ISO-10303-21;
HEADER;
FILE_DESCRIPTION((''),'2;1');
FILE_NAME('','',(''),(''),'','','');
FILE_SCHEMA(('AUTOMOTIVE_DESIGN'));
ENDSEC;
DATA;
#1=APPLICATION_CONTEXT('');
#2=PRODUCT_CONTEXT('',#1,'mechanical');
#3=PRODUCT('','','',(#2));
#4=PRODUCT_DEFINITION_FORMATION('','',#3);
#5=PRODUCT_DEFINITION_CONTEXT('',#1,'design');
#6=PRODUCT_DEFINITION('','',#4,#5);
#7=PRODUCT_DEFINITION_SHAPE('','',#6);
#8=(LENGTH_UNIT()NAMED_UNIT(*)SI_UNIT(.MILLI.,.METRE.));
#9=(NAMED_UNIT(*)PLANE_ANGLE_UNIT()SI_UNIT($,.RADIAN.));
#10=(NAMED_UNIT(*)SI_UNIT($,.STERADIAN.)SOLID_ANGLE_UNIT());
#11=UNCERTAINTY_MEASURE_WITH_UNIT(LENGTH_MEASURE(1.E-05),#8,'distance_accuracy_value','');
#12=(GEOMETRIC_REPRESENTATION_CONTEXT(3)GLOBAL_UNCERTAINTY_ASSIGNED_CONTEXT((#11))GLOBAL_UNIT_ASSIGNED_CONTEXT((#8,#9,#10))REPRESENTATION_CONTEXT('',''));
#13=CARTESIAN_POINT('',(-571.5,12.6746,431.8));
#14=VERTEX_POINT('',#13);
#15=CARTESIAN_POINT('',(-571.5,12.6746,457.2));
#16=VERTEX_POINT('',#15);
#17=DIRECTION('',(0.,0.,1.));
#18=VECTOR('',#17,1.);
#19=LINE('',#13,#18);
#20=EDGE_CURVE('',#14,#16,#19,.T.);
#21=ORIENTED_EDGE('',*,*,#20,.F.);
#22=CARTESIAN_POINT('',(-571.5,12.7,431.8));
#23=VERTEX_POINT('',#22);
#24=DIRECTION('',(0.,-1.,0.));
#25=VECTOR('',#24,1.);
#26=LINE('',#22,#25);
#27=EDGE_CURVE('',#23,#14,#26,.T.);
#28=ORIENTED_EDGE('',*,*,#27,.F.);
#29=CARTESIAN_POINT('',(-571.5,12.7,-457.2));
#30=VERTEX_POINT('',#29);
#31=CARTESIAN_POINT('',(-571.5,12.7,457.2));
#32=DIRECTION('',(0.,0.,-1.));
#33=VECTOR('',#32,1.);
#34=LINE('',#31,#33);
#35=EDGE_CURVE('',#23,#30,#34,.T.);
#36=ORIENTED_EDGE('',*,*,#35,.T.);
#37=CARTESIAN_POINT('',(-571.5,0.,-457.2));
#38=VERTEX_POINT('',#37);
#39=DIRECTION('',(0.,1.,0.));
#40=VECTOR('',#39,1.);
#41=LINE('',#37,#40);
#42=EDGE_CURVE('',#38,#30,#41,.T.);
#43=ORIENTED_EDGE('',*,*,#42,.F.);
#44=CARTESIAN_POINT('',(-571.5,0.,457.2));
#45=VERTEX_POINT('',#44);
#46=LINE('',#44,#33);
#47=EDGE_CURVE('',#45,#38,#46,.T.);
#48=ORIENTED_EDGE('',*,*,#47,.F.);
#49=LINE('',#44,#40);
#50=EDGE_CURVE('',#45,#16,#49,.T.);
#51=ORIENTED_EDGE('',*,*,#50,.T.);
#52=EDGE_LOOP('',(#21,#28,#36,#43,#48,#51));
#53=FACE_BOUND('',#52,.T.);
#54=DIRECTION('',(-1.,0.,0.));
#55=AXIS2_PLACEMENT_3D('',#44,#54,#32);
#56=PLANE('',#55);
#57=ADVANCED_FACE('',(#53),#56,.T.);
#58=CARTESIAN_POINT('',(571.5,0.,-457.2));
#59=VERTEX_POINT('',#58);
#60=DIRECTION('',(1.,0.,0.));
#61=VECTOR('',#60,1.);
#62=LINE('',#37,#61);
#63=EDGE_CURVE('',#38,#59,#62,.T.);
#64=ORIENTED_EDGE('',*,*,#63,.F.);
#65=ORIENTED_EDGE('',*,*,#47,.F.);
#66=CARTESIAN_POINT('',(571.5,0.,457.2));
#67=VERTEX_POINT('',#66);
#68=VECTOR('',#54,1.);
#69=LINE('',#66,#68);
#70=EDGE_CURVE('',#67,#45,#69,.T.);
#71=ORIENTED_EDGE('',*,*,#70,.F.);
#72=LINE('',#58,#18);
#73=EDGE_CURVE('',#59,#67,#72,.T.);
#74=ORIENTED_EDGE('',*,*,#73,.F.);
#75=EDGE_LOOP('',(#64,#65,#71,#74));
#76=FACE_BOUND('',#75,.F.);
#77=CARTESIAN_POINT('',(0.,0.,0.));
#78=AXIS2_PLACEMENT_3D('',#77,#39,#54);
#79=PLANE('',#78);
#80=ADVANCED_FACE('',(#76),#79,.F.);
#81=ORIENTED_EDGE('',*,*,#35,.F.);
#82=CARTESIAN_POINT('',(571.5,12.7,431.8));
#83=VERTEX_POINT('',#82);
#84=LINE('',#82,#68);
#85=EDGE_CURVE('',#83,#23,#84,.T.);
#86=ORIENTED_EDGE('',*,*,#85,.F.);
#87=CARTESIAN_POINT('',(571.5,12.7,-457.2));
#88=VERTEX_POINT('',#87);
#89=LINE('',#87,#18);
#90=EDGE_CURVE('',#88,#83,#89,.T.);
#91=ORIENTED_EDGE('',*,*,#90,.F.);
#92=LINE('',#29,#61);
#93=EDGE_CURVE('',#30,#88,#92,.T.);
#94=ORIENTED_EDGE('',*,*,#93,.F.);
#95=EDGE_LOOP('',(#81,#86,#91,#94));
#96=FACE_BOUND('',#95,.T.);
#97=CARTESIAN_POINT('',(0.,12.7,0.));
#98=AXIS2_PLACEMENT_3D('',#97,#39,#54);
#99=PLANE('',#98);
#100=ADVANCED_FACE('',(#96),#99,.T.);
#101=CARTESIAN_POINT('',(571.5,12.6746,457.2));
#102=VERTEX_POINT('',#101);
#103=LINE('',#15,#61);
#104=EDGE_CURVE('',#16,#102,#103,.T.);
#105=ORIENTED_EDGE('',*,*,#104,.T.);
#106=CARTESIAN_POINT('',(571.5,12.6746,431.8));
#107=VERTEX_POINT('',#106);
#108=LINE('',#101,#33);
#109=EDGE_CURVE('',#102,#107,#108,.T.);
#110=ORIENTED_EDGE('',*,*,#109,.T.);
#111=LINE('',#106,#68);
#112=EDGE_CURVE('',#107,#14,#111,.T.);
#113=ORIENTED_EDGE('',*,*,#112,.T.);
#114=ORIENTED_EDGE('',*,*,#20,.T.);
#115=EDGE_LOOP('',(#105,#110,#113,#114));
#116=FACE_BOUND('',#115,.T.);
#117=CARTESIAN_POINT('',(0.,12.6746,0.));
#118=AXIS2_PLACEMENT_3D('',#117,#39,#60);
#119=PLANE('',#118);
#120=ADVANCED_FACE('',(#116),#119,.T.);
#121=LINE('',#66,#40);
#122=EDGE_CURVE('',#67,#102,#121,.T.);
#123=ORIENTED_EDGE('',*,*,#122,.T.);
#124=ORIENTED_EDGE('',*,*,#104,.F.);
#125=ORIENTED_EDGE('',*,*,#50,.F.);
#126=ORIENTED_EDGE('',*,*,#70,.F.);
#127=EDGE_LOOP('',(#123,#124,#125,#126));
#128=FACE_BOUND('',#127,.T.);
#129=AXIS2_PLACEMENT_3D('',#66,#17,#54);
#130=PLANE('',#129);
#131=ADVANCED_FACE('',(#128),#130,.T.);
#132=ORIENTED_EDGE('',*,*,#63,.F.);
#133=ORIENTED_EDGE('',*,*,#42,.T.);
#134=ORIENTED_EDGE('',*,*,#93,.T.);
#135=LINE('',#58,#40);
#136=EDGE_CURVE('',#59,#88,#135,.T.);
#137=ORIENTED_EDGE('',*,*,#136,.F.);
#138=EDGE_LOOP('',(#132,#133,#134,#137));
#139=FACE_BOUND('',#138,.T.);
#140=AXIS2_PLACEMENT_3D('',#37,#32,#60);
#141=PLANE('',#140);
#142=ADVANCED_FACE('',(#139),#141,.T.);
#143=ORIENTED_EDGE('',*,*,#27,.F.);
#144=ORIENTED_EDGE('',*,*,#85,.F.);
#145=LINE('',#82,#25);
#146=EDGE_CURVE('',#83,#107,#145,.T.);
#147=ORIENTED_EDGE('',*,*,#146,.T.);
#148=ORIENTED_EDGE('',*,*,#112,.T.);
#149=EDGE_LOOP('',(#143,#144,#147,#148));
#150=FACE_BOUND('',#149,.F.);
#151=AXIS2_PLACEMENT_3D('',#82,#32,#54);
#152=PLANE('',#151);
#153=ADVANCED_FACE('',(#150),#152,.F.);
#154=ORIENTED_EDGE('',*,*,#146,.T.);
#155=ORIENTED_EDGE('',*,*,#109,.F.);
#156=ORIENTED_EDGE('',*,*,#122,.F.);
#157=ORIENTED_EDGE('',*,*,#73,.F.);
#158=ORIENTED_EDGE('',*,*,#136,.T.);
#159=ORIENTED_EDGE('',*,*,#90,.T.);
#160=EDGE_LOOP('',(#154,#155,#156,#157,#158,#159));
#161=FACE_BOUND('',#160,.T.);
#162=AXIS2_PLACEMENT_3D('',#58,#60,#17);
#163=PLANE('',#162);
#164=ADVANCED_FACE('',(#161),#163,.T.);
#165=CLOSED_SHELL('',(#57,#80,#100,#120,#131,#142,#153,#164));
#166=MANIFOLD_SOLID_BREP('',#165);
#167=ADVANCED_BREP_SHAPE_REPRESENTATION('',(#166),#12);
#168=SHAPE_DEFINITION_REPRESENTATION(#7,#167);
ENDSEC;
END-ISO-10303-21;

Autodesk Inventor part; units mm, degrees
ref_plane "YZ Plane" through (0, 0, 0) normal (1, 0, 0) x (0, 1, 0)
ref_plane "XZ Plane" through (0, 0, 0) normal (0, 1, 0) x (-1, 0, 0)
ref_plane "XY Plane" through (0, 0, 0) normal (0, 0, 1) x (1, 0, 0)
sketch "Sketch1" plane through (0, 0, 0) normal (0, 1, 0) x (-1, 0, 0)
  line L0 (-571.5, 457.2) -> (571.5, 457.2)
  line L1 (571.5, 457.2) -> (571.5, -457.2)
  line L2 (571.5, -457.2) -> (-571.5, -457.2)
  line L3 (-571.5, -457.2) -> (-571.5, 457.2)
  line L4 (-571.5, 457.2) -> (571.5, -457.2) construction
  line L5 (571.5, 457.2) -> (-571.5, -457.2) construction
  point P0 (0, 0)
  dimension "d0" = 1143
  dimension "d1" = 914.4
extrude "Extrusion1" add sketch "Sketch1" along normal blind 12.7
sketch "Sketch2" plane through (0, 12.7, 0) normal (0, 1, 0) x (1, 0, 0)
  line L0 (-571.5, -457.2) -> (571.5, -457.2) projected
  line L1 (571.5, -457.2) -> (571.5, 457.2) projected
  line L2 (-571.5, -457.2) -> (571.5, -457.2)
  line L3 (571.5, -457.2) -> (571.5, -431.8)
  line L4 (571.5, -431.8) -> (-571.5, -431.8)
  line L5 (-571.5, -431.8) -> (-571.5, -457.2)
  point P0 (0, 0)
  dimension "d4" = 25.4
extrude "Extrusion2" cut sketch "Sketch2" against normal blind 0.0254
properties part number "floorLayer" material "Wood (Birch)"
